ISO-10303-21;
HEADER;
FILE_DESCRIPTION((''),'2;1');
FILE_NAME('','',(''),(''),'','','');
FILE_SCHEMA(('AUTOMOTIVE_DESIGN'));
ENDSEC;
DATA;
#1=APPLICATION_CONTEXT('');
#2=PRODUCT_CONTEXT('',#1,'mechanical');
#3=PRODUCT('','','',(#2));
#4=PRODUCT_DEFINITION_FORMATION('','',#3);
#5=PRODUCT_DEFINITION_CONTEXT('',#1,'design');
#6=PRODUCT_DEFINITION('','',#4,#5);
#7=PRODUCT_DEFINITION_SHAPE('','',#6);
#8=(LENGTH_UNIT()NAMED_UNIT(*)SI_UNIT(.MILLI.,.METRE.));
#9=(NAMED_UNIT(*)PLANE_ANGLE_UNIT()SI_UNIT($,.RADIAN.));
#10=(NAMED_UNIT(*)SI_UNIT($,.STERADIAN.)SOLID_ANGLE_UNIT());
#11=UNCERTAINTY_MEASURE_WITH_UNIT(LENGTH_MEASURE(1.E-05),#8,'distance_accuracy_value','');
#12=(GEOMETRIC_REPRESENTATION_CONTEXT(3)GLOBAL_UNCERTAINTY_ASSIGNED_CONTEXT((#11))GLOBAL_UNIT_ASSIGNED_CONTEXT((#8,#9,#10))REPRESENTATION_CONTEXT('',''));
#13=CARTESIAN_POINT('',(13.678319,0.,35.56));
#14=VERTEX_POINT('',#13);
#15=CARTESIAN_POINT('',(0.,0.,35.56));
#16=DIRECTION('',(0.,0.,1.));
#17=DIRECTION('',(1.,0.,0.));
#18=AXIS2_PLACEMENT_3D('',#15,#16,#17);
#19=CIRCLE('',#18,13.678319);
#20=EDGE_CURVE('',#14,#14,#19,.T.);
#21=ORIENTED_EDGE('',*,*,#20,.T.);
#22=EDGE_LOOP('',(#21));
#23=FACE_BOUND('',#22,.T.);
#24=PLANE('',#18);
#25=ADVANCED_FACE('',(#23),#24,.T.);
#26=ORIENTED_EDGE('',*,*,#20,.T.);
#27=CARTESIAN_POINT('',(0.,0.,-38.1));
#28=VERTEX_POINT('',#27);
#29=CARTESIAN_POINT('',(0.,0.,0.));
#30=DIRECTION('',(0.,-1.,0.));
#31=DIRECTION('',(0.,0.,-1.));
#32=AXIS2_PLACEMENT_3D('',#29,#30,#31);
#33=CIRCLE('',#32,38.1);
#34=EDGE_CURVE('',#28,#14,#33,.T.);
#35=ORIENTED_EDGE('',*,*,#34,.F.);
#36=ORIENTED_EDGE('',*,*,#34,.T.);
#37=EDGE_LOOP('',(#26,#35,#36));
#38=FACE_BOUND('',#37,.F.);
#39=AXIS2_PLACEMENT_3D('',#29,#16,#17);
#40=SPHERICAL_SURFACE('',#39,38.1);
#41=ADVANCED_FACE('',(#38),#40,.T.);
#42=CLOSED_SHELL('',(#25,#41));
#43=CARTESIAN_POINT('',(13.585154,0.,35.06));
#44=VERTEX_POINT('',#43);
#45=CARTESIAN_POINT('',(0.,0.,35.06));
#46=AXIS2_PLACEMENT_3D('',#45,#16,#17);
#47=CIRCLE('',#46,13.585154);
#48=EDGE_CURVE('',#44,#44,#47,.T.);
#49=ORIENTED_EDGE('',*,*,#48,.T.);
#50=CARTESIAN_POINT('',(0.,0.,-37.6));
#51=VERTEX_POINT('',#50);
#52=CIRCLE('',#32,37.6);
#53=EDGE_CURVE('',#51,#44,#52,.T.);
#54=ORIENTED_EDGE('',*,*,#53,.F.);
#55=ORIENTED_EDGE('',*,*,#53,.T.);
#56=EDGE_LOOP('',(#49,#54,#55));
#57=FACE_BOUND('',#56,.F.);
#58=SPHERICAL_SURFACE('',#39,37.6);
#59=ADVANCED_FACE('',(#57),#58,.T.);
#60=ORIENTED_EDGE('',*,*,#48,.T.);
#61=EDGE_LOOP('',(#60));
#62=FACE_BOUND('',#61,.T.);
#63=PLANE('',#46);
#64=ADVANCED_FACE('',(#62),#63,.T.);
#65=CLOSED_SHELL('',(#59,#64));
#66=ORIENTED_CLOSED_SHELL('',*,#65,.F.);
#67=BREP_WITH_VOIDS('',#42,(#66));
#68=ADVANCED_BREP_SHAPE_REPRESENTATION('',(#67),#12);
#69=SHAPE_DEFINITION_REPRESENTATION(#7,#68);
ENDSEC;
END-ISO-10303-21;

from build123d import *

# Parameters (mm, degrees)
F3_W     = 33.02
F3_H     = 33.02
F4_DEPTH = 25.4
F5_T     = -0.5


with BuildPart() as f1:
    # F0 (on Front) → F1 (revolve)
    with BuildSketch(Plane.XZ):
        with BuildLine():
            Line((0, 38.1), (0, -38.1))
            ThreePointArc((0, -38.1), (38.1, 0), (0, 38.1))
        make_face()
    revolve(axis=Axis((0, 0, 0), (0, 0, -1)))

    # F3 (on offset) → F4 (cut)
    with BuildSketch(Plane.XY.offset(35.56)):
        Rectangle(F3_W, F3_H)
    extrude(amount=F4_DEPTH, mode=Mode.SUBTRACT)

    # F5 (hollow: no face is removed)
    offset(amount=F5_T, mode=Mode.SUBTRACT)


solid = f1.part
